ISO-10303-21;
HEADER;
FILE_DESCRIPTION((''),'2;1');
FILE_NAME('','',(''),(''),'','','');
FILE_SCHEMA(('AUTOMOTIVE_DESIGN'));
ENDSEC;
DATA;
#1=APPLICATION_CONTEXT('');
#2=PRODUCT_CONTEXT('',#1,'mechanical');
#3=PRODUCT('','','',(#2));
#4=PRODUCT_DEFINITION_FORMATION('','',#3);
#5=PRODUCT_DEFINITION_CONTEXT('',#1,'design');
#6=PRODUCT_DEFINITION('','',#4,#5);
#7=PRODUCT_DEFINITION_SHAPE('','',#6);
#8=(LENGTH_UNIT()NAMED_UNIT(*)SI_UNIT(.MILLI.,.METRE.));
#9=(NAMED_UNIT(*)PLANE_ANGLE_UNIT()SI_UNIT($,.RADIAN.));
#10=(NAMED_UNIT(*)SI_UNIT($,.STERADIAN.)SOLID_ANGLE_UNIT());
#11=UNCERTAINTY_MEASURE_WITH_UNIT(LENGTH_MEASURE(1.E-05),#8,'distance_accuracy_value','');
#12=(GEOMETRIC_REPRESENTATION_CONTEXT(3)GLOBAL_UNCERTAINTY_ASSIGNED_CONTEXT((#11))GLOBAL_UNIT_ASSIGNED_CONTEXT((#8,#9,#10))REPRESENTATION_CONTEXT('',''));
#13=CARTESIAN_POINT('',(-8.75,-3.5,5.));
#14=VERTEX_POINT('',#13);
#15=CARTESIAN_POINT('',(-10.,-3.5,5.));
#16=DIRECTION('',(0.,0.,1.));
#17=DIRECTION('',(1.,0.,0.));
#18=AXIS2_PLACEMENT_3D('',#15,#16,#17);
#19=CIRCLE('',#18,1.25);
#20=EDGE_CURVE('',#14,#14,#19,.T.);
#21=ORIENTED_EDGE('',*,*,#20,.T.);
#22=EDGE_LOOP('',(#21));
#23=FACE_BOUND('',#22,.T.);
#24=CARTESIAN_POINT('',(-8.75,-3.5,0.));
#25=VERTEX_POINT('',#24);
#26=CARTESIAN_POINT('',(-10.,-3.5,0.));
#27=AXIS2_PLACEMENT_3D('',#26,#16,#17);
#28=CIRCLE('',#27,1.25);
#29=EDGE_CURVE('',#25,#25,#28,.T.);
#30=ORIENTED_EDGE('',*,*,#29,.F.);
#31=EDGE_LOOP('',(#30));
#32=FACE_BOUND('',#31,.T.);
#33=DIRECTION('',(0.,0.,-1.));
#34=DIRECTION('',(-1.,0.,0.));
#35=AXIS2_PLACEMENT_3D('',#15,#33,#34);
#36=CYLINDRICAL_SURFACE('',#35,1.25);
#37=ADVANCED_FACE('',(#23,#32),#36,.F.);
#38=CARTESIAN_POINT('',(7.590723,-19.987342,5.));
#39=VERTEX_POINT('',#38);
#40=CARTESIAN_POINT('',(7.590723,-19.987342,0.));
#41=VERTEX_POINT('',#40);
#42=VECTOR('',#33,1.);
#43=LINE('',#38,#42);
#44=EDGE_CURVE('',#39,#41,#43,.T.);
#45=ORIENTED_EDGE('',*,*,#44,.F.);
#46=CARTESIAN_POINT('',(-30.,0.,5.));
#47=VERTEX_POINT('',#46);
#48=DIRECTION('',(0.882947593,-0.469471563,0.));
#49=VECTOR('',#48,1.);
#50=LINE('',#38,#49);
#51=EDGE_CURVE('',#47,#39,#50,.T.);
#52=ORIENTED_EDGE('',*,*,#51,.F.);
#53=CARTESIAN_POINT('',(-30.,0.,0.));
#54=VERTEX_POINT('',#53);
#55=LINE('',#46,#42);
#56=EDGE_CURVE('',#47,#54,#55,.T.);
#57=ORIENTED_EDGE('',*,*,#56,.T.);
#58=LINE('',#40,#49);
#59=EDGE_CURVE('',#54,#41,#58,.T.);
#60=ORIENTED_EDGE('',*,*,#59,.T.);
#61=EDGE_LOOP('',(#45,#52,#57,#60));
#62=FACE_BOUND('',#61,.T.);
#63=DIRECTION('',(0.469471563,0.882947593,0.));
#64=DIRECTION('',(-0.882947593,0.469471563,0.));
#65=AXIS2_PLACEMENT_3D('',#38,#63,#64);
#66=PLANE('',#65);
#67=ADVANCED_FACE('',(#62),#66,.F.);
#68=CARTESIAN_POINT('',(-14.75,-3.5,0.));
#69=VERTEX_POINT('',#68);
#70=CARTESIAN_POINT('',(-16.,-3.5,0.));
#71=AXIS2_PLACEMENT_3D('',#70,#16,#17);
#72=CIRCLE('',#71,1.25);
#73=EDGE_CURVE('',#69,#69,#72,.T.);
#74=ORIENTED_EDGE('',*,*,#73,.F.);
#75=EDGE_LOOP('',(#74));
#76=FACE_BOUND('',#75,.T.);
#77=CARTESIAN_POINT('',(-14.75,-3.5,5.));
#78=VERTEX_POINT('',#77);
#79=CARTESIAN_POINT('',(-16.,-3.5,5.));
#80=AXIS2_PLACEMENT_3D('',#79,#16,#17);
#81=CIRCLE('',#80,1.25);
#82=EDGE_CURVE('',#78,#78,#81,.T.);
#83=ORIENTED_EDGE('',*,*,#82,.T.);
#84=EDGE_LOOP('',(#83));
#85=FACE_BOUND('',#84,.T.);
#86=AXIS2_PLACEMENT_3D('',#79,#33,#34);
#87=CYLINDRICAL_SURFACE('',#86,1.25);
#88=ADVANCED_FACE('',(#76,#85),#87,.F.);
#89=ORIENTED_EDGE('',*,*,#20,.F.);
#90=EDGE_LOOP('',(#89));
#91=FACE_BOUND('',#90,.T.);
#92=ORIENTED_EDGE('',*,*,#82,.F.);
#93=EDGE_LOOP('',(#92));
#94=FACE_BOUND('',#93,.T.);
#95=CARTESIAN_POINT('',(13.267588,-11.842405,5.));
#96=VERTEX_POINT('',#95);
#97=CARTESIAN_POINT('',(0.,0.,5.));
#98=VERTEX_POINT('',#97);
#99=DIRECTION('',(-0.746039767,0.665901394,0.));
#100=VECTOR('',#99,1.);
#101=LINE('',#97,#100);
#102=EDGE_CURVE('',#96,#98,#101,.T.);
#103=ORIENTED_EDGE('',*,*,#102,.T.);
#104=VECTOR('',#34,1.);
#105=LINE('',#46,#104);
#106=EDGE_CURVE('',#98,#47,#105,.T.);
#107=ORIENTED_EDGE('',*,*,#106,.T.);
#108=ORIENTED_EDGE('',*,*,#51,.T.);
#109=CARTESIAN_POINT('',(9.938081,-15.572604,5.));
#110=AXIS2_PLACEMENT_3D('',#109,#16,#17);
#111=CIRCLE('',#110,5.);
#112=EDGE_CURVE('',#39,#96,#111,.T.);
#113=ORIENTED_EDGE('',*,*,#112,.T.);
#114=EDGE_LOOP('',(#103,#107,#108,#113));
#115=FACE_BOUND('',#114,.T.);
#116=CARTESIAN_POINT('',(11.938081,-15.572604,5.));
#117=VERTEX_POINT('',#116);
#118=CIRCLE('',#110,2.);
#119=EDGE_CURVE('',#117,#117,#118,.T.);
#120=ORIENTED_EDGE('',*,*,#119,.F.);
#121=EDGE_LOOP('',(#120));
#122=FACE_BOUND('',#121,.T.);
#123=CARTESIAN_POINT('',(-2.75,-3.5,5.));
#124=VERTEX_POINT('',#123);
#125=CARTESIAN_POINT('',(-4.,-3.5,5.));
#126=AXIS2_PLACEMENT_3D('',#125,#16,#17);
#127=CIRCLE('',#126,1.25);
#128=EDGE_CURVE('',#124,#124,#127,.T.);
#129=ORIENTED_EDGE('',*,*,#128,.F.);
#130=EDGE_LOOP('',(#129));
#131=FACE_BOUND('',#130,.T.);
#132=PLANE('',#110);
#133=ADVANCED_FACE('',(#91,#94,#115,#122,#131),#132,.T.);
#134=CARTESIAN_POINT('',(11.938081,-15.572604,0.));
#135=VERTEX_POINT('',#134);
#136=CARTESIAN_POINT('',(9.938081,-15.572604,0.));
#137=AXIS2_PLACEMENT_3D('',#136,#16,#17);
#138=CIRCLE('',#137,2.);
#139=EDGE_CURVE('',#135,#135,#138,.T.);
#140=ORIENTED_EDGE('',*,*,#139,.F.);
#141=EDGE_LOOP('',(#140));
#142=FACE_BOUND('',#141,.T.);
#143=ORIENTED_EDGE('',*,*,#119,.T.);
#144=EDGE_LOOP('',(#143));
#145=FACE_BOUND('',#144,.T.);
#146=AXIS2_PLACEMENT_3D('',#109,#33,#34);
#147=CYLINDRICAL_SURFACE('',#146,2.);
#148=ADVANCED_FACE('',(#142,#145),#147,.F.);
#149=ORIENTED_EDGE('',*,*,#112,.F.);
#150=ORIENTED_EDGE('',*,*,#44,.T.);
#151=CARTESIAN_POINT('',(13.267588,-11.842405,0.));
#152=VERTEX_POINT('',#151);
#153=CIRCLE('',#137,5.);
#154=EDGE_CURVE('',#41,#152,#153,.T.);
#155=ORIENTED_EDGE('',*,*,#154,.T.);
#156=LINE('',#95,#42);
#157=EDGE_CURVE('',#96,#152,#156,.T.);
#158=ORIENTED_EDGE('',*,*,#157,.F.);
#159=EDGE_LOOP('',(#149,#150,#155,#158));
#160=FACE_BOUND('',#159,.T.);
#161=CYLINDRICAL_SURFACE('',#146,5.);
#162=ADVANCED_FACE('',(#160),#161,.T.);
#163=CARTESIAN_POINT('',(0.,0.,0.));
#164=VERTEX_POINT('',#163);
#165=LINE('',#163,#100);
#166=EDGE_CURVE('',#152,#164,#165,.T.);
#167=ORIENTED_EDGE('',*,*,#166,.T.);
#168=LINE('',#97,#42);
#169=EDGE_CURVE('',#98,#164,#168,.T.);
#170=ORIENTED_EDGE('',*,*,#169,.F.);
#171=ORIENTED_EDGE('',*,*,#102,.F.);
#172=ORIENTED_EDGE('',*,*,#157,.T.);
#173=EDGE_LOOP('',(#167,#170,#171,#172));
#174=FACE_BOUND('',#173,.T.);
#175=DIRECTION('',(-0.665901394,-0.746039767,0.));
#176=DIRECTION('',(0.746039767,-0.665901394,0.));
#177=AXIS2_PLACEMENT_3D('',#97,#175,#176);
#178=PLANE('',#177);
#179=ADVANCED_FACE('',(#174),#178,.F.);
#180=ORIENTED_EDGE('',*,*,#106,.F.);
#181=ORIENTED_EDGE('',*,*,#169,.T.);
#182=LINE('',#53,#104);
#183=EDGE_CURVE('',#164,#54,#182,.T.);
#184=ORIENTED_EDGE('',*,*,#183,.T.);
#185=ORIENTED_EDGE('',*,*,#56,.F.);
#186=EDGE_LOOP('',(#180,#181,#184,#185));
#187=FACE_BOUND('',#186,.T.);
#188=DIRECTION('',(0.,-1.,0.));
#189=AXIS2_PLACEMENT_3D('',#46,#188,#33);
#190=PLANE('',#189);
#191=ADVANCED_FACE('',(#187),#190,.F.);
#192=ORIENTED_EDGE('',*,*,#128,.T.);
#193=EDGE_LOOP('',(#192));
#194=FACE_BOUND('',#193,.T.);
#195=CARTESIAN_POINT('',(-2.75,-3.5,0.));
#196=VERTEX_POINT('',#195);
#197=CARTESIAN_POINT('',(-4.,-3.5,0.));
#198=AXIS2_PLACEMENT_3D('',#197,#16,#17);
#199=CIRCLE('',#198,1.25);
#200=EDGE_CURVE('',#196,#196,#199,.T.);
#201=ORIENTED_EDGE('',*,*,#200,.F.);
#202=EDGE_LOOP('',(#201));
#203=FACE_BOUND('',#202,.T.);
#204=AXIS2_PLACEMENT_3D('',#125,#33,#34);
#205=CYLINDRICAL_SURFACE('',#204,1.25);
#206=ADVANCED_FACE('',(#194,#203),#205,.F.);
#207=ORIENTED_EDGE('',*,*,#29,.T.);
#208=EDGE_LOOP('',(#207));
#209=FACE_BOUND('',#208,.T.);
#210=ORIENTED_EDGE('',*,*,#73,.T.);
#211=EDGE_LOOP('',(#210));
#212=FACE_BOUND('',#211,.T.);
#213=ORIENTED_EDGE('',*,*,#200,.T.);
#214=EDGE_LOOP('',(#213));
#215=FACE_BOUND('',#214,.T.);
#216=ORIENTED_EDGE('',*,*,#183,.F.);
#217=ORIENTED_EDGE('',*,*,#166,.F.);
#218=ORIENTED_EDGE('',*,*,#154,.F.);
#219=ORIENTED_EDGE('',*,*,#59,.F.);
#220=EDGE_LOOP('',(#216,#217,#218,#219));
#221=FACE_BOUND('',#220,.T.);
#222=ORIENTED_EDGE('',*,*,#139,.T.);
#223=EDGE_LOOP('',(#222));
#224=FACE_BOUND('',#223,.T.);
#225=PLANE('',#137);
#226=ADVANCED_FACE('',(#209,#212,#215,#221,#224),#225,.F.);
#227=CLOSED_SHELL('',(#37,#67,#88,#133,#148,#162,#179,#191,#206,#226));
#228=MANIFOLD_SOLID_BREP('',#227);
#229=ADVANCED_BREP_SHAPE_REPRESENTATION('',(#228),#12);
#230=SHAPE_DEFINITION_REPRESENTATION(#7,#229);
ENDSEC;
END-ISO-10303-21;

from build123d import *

# Parameters (mm, degrees)
SKETCH_2_R      = 1.25
SKETCH_2_R_2    = 2
EXTRUDE_1_DEPTH = 5


with BuildPart() as part:
    # 草图2 → 凸台-拉伸1 (new body)
    with BuildSketch(Plane.XY):
        with BuildLine():
            Line((-30, 0), (0, 0))
            Line((0, 0), (13.267587729, -11.842405135))
            ThreePointArc((13.267587729, -11.842405135), (14.040050176, -18.431598005), (7.590722945, -19.987341933))
            Line((7.590722945, -19.987341933), (-30, 0))
        make_face()
        with Locations((-4, -3.5)):
            Circle(SKETCH_2_R, mode=Mode.SUBTRACT)
        with Locations((9.938080759, -15.572603969)):
            Circle(SKETCH_2_R_2, mode=Mode.SUBTRACT)
        with Locations((-10, -3.5)):
            Circle(SKETCH_2_R, mode=Mode.SUBTRACT)
        with Locations((-16, -3.5)):
            Circle(SKETCH_2_R, mode=Mode.SUBTRACT)
    extrude(amount=EXTRUDE_1_DEPTH)


solid = part.part
